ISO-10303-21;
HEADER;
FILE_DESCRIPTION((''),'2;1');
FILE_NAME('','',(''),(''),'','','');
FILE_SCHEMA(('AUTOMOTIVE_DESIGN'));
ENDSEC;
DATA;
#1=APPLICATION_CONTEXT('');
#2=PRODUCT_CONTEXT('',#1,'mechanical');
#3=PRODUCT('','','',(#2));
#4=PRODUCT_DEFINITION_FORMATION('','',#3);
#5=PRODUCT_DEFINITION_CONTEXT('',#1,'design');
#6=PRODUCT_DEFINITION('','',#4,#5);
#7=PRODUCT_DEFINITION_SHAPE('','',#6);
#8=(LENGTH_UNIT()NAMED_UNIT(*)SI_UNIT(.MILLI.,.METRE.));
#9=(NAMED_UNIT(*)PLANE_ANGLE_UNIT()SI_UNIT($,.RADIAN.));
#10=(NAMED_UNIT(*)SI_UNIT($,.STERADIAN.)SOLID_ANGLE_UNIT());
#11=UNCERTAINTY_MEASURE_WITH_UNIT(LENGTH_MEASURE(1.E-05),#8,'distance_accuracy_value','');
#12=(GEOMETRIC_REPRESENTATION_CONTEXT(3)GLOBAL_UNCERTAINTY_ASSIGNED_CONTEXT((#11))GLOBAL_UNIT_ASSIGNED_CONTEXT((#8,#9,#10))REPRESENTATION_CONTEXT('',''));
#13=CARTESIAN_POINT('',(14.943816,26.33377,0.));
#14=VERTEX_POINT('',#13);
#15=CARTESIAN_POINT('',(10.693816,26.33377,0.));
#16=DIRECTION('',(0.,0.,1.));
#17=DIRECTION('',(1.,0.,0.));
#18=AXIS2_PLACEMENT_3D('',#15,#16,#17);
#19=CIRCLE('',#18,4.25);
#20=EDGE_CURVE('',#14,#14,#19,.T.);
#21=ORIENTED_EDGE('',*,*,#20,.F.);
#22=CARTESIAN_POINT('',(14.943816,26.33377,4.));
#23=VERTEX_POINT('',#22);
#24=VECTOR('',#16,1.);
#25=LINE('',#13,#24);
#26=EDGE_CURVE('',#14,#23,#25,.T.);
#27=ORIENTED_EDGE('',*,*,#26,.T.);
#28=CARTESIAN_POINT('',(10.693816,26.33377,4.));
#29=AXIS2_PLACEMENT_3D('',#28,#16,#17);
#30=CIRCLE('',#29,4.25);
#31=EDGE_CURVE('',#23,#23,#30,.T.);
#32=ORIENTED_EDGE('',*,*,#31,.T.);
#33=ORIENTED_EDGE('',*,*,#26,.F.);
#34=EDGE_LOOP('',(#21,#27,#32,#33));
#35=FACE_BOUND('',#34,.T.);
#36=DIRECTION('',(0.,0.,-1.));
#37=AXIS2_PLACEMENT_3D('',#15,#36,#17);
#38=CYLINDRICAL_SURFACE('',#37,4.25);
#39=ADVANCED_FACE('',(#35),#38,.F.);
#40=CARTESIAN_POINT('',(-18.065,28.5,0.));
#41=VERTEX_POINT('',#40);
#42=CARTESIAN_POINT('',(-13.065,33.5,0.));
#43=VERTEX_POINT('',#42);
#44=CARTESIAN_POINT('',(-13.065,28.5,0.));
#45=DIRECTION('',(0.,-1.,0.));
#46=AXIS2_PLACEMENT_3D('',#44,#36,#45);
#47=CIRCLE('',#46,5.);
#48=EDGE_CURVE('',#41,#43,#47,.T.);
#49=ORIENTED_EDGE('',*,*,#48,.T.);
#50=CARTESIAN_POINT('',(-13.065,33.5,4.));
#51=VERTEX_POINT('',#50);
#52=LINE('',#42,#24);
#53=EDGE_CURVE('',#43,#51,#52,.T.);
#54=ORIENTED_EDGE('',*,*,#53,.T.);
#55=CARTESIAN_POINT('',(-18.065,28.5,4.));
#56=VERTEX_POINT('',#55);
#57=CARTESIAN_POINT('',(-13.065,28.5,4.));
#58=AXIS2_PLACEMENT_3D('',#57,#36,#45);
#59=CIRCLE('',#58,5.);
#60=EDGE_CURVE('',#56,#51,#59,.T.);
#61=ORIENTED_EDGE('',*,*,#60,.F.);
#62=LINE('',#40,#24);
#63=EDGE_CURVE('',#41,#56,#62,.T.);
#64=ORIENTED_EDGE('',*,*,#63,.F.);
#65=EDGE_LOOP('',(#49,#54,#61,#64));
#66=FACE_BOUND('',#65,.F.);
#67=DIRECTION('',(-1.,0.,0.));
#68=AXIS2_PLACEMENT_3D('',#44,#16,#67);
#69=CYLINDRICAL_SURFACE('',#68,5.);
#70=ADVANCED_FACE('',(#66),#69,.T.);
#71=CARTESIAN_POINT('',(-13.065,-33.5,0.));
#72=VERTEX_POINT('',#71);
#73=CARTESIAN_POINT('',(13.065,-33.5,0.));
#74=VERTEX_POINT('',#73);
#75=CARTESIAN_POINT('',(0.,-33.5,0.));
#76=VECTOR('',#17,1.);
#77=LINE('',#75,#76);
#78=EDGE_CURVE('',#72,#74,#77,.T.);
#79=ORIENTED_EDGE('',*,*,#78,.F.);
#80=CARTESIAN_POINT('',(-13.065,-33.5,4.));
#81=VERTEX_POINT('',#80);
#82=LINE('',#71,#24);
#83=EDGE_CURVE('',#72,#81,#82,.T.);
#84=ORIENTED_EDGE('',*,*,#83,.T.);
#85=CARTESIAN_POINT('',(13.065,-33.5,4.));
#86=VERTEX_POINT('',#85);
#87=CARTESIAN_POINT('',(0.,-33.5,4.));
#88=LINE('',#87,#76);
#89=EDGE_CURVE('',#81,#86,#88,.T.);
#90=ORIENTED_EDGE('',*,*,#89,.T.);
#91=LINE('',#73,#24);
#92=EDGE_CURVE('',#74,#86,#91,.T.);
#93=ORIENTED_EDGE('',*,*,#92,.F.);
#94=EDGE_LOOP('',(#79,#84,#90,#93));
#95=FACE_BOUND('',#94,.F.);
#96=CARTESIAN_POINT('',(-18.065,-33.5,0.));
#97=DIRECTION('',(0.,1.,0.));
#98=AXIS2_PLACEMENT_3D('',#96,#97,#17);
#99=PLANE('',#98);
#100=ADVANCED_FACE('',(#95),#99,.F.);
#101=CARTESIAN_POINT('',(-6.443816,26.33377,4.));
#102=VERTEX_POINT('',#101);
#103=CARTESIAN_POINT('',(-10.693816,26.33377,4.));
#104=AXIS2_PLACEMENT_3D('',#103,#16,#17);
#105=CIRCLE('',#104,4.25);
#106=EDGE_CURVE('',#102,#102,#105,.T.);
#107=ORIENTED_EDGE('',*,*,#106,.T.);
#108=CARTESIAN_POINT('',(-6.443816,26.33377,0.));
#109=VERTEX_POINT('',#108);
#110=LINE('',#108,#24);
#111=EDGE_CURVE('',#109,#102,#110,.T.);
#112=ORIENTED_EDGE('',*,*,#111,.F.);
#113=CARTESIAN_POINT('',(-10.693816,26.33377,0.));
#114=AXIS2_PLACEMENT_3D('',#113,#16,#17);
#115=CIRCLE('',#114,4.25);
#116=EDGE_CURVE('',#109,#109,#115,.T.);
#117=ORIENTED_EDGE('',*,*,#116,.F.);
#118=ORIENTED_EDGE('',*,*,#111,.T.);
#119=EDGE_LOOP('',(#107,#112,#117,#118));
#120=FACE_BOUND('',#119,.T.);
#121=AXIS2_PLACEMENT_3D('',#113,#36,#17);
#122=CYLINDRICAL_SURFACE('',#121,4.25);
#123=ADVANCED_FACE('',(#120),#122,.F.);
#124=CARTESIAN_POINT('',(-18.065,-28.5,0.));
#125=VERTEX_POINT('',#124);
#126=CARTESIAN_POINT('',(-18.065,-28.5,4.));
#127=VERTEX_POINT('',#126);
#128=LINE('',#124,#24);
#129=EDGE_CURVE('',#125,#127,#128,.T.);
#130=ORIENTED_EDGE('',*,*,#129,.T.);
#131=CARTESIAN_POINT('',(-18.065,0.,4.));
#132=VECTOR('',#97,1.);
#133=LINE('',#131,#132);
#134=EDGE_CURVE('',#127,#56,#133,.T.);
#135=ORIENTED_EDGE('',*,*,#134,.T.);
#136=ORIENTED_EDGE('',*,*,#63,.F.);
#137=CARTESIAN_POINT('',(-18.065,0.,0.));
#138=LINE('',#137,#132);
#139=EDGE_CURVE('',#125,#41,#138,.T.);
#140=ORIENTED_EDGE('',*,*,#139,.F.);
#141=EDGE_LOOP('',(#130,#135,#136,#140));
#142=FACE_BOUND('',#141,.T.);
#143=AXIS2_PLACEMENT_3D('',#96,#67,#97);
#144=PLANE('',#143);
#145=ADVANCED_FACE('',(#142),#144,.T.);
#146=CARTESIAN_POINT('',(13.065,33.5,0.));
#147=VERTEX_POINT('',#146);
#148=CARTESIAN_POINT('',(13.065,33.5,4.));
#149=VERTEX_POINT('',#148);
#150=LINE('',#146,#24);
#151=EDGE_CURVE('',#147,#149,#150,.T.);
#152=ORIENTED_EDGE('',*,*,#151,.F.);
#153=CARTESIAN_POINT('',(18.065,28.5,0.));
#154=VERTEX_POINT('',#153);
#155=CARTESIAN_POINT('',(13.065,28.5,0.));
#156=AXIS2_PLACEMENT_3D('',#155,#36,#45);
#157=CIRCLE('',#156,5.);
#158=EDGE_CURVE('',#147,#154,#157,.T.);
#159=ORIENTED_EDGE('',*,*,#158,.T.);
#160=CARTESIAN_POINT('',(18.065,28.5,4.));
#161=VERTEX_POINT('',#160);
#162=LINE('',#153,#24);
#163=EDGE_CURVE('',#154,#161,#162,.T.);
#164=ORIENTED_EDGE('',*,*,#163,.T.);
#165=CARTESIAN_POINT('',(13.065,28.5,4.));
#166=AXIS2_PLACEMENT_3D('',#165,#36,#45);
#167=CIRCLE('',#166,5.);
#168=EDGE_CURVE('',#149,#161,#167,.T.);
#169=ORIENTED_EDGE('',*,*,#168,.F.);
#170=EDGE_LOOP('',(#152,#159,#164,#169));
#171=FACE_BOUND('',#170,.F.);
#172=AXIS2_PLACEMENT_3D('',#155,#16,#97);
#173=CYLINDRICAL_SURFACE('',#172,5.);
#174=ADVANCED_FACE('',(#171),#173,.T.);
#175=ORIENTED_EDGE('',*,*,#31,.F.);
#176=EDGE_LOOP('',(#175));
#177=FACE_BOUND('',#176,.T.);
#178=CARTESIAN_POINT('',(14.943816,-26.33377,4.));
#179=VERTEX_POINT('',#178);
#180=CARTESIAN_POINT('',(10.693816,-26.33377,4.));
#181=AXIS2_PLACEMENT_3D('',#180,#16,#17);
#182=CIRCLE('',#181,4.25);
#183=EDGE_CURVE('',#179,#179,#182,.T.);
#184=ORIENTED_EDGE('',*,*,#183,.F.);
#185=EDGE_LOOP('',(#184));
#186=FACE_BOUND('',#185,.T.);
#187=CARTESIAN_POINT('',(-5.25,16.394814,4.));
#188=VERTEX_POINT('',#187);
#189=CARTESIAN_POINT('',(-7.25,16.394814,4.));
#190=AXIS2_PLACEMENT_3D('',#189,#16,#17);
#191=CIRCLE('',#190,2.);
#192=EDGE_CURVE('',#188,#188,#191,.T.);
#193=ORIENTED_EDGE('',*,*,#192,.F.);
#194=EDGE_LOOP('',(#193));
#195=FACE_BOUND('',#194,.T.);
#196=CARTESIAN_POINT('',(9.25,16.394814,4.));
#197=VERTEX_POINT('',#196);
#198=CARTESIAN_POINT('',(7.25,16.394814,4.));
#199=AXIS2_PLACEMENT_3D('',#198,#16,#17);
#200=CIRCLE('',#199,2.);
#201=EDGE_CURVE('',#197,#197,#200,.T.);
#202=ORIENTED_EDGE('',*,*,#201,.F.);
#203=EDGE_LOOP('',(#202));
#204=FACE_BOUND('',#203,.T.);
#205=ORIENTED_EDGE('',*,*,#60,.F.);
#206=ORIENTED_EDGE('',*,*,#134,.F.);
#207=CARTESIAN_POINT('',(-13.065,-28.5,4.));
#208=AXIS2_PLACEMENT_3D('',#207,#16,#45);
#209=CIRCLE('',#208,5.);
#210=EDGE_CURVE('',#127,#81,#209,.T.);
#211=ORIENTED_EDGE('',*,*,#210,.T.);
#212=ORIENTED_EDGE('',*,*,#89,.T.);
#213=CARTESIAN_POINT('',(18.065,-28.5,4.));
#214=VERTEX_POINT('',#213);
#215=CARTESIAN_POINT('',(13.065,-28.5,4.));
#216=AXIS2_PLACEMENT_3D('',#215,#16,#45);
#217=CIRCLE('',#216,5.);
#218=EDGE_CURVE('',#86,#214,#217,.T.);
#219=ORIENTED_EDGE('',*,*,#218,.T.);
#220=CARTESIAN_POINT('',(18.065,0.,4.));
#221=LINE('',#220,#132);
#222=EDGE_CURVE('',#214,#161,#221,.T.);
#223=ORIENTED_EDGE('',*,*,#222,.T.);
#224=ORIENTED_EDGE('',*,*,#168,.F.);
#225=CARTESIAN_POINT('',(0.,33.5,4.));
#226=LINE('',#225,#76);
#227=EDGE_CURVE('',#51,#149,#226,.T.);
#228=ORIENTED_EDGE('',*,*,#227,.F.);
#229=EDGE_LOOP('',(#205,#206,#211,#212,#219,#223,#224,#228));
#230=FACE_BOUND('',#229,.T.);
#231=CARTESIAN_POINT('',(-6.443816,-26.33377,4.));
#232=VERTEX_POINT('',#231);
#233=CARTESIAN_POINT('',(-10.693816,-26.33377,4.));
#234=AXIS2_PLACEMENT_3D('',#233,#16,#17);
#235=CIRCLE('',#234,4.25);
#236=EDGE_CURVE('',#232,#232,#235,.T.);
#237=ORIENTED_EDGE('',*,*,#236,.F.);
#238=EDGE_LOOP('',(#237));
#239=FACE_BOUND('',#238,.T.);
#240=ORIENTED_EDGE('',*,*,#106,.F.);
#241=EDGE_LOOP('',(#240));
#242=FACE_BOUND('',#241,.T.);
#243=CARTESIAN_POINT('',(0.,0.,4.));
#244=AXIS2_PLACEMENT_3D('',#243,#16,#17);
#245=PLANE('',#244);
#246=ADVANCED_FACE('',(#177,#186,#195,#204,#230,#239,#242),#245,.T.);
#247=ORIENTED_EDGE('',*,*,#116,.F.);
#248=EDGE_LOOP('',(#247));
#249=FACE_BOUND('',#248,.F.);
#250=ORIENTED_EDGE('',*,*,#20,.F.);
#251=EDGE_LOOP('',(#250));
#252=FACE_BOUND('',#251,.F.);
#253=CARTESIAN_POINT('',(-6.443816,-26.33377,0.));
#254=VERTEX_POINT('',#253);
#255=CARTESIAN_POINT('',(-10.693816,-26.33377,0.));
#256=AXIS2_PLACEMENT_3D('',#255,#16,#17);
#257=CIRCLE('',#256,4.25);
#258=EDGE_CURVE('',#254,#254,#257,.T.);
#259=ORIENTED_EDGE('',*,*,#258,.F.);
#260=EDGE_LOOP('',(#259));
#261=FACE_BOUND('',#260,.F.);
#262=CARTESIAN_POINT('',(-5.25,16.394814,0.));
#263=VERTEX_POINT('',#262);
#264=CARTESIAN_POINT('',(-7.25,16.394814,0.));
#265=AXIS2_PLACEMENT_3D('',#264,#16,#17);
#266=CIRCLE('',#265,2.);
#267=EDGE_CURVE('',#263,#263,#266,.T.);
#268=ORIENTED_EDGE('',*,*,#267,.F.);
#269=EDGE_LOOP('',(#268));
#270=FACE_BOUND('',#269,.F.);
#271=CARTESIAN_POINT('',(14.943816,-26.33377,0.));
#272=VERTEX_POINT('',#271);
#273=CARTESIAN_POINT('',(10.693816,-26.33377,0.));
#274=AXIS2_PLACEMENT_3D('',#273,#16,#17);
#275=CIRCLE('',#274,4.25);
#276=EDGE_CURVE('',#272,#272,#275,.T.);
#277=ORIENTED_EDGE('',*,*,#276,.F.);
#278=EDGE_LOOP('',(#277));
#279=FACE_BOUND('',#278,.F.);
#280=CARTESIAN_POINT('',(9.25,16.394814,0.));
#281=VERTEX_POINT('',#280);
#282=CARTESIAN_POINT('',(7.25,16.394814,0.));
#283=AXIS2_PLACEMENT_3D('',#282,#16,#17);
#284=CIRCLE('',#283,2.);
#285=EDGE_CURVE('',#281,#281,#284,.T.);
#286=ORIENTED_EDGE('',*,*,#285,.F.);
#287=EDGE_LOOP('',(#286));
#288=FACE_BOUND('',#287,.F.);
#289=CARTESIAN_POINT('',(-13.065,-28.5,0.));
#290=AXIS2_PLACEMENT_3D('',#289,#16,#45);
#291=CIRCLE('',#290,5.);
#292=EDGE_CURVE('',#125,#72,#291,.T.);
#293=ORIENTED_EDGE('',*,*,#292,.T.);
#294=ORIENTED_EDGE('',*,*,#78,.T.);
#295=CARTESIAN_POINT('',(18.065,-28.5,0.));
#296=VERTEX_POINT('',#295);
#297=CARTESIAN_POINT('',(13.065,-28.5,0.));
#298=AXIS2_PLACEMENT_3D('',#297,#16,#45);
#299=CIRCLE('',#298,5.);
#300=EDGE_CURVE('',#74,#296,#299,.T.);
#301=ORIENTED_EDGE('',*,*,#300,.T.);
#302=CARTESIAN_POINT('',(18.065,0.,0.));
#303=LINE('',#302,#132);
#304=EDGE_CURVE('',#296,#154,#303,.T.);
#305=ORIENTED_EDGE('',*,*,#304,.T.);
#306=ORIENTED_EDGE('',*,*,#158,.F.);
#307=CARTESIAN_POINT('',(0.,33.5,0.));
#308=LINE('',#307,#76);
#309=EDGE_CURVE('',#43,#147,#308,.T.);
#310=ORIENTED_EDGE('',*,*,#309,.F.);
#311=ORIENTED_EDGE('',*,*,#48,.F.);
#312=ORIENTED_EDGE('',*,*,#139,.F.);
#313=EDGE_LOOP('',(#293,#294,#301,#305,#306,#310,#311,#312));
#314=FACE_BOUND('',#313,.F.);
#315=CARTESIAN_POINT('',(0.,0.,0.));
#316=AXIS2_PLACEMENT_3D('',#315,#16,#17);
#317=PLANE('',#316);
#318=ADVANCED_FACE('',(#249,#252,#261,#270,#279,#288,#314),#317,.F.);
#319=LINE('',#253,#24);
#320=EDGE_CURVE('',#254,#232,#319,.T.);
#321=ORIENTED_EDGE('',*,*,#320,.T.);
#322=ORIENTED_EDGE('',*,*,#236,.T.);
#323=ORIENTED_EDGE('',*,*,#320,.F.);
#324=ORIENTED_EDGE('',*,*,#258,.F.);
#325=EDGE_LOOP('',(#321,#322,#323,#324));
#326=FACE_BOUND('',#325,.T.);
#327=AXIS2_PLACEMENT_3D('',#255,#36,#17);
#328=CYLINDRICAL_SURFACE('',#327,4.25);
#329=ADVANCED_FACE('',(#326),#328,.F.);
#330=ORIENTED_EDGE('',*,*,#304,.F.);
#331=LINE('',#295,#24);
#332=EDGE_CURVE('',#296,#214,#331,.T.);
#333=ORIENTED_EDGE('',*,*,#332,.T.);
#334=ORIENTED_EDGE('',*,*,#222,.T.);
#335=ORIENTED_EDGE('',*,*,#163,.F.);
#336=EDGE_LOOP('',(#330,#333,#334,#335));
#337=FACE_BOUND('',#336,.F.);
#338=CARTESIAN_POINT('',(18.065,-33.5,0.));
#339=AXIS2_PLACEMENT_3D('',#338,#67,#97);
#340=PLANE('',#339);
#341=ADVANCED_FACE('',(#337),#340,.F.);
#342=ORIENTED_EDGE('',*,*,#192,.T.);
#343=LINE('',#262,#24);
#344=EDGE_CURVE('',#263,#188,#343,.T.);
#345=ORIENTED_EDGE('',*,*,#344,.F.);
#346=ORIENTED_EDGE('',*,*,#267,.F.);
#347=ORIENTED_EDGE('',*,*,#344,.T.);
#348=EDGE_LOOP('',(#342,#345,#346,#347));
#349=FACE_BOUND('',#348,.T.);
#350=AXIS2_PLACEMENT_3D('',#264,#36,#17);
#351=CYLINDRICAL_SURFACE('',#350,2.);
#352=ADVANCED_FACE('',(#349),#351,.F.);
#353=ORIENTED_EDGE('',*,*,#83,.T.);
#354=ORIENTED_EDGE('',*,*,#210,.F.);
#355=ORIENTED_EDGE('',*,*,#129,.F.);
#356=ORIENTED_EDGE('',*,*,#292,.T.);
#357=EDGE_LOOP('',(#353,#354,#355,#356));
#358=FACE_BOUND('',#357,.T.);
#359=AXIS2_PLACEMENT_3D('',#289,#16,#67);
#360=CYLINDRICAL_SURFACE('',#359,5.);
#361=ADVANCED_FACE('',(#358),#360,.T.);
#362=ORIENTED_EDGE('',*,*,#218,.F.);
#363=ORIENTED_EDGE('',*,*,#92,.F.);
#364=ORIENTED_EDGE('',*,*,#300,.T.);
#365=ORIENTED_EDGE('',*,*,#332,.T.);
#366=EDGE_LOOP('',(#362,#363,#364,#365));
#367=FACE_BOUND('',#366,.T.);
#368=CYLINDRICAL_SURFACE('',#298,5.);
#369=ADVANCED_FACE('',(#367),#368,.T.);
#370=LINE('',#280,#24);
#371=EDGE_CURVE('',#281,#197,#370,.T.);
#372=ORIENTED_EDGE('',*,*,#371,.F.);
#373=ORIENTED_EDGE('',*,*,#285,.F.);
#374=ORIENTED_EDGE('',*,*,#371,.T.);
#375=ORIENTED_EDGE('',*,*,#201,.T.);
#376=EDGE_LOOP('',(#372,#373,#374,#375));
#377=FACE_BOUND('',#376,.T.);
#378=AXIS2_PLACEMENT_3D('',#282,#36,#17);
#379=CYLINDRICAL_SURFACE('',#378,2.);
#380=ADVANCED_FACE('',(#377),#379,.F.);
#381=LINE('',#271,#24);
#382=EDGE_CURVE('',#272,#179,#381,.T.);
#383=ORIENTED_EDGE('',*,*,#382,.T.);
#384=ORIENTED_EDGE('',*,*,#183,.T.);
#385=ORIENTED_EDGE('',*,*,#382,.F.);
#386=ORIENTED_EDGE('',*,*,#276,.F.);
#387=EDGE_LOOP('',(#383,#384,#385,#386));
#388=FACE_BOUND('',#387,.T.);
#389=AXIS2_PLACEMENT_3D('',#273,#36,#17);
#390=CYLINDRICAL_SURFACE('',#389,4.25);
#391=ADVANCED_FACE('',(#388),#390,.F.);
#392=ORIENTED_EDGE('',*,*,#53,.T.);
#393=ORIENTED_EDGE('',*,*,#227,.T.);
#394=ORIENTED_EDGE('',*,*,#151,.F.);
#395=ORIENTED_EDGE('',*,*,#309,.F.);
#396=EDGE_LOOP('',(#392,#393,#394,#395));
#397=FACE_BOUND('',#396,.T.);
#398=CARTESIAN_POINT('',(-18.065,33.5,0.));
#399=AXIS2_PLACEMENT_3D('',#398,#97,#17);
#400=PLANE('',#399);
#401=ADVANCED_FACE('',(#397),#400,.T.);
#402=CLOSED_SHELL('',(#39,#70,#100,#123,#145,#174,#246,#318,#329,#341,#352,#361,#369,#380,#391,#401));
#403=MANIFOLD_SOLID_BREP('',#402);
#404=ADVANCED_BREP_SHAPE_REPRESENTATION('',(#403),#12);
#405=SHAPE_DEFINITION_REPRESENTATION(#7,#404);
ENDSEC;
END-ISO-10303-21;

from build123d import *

# Parameters (mm, degrees)
F0_W     = 36.13
F0_H     = 67
F0_R     = 4.25
F0_R_2   = 2
F1_DEPTH = 4
F2_R     = 5


with BuildPart() as f1:
    # F0 (on Top) → F1 (new body)
    with BuildSketch(Plane.XY):
        Rectangle(F0_W, F0_H)
        with Locations((-10.693816, -26.33377)):
            Circle(F0_R, mode=Mode.SUBTRACT)
        with Locations((10.693816, -26.33377)):
            Circle(F0_R, mode=Mode.SUBTRACT)
        with Locations((-7.25, 16.394814)):
            Circle(F0_R_2, mode=Mode.SUBTRACT)
        with Locations((-10.693816, 26.33377)):
            Circle(F0_R, mode=Mode.SUBTRACT)
        with Locations((7.25, 16.394814)):
            Circle(F0_R_2, mode=Mode.SUBTRACT)
        with Locations((10.693816, 26.33377)):
            Circle(F0_R, mode=Mode.SUBTRACT)
    extrude(amount=F1_DEPTH)

    # F2
    f2_edges = [f1.edges().sort_by_distance(p)[0] for p in [
        (18.065, -33.5, 2),
        (-18.065, -33.5, 2),
        (18.065, 33.5, 2),
        (-18.065, 33.5, 2),
    ]]
    fillet(f2_edges, radius=F2_R)


solid = f1.part
